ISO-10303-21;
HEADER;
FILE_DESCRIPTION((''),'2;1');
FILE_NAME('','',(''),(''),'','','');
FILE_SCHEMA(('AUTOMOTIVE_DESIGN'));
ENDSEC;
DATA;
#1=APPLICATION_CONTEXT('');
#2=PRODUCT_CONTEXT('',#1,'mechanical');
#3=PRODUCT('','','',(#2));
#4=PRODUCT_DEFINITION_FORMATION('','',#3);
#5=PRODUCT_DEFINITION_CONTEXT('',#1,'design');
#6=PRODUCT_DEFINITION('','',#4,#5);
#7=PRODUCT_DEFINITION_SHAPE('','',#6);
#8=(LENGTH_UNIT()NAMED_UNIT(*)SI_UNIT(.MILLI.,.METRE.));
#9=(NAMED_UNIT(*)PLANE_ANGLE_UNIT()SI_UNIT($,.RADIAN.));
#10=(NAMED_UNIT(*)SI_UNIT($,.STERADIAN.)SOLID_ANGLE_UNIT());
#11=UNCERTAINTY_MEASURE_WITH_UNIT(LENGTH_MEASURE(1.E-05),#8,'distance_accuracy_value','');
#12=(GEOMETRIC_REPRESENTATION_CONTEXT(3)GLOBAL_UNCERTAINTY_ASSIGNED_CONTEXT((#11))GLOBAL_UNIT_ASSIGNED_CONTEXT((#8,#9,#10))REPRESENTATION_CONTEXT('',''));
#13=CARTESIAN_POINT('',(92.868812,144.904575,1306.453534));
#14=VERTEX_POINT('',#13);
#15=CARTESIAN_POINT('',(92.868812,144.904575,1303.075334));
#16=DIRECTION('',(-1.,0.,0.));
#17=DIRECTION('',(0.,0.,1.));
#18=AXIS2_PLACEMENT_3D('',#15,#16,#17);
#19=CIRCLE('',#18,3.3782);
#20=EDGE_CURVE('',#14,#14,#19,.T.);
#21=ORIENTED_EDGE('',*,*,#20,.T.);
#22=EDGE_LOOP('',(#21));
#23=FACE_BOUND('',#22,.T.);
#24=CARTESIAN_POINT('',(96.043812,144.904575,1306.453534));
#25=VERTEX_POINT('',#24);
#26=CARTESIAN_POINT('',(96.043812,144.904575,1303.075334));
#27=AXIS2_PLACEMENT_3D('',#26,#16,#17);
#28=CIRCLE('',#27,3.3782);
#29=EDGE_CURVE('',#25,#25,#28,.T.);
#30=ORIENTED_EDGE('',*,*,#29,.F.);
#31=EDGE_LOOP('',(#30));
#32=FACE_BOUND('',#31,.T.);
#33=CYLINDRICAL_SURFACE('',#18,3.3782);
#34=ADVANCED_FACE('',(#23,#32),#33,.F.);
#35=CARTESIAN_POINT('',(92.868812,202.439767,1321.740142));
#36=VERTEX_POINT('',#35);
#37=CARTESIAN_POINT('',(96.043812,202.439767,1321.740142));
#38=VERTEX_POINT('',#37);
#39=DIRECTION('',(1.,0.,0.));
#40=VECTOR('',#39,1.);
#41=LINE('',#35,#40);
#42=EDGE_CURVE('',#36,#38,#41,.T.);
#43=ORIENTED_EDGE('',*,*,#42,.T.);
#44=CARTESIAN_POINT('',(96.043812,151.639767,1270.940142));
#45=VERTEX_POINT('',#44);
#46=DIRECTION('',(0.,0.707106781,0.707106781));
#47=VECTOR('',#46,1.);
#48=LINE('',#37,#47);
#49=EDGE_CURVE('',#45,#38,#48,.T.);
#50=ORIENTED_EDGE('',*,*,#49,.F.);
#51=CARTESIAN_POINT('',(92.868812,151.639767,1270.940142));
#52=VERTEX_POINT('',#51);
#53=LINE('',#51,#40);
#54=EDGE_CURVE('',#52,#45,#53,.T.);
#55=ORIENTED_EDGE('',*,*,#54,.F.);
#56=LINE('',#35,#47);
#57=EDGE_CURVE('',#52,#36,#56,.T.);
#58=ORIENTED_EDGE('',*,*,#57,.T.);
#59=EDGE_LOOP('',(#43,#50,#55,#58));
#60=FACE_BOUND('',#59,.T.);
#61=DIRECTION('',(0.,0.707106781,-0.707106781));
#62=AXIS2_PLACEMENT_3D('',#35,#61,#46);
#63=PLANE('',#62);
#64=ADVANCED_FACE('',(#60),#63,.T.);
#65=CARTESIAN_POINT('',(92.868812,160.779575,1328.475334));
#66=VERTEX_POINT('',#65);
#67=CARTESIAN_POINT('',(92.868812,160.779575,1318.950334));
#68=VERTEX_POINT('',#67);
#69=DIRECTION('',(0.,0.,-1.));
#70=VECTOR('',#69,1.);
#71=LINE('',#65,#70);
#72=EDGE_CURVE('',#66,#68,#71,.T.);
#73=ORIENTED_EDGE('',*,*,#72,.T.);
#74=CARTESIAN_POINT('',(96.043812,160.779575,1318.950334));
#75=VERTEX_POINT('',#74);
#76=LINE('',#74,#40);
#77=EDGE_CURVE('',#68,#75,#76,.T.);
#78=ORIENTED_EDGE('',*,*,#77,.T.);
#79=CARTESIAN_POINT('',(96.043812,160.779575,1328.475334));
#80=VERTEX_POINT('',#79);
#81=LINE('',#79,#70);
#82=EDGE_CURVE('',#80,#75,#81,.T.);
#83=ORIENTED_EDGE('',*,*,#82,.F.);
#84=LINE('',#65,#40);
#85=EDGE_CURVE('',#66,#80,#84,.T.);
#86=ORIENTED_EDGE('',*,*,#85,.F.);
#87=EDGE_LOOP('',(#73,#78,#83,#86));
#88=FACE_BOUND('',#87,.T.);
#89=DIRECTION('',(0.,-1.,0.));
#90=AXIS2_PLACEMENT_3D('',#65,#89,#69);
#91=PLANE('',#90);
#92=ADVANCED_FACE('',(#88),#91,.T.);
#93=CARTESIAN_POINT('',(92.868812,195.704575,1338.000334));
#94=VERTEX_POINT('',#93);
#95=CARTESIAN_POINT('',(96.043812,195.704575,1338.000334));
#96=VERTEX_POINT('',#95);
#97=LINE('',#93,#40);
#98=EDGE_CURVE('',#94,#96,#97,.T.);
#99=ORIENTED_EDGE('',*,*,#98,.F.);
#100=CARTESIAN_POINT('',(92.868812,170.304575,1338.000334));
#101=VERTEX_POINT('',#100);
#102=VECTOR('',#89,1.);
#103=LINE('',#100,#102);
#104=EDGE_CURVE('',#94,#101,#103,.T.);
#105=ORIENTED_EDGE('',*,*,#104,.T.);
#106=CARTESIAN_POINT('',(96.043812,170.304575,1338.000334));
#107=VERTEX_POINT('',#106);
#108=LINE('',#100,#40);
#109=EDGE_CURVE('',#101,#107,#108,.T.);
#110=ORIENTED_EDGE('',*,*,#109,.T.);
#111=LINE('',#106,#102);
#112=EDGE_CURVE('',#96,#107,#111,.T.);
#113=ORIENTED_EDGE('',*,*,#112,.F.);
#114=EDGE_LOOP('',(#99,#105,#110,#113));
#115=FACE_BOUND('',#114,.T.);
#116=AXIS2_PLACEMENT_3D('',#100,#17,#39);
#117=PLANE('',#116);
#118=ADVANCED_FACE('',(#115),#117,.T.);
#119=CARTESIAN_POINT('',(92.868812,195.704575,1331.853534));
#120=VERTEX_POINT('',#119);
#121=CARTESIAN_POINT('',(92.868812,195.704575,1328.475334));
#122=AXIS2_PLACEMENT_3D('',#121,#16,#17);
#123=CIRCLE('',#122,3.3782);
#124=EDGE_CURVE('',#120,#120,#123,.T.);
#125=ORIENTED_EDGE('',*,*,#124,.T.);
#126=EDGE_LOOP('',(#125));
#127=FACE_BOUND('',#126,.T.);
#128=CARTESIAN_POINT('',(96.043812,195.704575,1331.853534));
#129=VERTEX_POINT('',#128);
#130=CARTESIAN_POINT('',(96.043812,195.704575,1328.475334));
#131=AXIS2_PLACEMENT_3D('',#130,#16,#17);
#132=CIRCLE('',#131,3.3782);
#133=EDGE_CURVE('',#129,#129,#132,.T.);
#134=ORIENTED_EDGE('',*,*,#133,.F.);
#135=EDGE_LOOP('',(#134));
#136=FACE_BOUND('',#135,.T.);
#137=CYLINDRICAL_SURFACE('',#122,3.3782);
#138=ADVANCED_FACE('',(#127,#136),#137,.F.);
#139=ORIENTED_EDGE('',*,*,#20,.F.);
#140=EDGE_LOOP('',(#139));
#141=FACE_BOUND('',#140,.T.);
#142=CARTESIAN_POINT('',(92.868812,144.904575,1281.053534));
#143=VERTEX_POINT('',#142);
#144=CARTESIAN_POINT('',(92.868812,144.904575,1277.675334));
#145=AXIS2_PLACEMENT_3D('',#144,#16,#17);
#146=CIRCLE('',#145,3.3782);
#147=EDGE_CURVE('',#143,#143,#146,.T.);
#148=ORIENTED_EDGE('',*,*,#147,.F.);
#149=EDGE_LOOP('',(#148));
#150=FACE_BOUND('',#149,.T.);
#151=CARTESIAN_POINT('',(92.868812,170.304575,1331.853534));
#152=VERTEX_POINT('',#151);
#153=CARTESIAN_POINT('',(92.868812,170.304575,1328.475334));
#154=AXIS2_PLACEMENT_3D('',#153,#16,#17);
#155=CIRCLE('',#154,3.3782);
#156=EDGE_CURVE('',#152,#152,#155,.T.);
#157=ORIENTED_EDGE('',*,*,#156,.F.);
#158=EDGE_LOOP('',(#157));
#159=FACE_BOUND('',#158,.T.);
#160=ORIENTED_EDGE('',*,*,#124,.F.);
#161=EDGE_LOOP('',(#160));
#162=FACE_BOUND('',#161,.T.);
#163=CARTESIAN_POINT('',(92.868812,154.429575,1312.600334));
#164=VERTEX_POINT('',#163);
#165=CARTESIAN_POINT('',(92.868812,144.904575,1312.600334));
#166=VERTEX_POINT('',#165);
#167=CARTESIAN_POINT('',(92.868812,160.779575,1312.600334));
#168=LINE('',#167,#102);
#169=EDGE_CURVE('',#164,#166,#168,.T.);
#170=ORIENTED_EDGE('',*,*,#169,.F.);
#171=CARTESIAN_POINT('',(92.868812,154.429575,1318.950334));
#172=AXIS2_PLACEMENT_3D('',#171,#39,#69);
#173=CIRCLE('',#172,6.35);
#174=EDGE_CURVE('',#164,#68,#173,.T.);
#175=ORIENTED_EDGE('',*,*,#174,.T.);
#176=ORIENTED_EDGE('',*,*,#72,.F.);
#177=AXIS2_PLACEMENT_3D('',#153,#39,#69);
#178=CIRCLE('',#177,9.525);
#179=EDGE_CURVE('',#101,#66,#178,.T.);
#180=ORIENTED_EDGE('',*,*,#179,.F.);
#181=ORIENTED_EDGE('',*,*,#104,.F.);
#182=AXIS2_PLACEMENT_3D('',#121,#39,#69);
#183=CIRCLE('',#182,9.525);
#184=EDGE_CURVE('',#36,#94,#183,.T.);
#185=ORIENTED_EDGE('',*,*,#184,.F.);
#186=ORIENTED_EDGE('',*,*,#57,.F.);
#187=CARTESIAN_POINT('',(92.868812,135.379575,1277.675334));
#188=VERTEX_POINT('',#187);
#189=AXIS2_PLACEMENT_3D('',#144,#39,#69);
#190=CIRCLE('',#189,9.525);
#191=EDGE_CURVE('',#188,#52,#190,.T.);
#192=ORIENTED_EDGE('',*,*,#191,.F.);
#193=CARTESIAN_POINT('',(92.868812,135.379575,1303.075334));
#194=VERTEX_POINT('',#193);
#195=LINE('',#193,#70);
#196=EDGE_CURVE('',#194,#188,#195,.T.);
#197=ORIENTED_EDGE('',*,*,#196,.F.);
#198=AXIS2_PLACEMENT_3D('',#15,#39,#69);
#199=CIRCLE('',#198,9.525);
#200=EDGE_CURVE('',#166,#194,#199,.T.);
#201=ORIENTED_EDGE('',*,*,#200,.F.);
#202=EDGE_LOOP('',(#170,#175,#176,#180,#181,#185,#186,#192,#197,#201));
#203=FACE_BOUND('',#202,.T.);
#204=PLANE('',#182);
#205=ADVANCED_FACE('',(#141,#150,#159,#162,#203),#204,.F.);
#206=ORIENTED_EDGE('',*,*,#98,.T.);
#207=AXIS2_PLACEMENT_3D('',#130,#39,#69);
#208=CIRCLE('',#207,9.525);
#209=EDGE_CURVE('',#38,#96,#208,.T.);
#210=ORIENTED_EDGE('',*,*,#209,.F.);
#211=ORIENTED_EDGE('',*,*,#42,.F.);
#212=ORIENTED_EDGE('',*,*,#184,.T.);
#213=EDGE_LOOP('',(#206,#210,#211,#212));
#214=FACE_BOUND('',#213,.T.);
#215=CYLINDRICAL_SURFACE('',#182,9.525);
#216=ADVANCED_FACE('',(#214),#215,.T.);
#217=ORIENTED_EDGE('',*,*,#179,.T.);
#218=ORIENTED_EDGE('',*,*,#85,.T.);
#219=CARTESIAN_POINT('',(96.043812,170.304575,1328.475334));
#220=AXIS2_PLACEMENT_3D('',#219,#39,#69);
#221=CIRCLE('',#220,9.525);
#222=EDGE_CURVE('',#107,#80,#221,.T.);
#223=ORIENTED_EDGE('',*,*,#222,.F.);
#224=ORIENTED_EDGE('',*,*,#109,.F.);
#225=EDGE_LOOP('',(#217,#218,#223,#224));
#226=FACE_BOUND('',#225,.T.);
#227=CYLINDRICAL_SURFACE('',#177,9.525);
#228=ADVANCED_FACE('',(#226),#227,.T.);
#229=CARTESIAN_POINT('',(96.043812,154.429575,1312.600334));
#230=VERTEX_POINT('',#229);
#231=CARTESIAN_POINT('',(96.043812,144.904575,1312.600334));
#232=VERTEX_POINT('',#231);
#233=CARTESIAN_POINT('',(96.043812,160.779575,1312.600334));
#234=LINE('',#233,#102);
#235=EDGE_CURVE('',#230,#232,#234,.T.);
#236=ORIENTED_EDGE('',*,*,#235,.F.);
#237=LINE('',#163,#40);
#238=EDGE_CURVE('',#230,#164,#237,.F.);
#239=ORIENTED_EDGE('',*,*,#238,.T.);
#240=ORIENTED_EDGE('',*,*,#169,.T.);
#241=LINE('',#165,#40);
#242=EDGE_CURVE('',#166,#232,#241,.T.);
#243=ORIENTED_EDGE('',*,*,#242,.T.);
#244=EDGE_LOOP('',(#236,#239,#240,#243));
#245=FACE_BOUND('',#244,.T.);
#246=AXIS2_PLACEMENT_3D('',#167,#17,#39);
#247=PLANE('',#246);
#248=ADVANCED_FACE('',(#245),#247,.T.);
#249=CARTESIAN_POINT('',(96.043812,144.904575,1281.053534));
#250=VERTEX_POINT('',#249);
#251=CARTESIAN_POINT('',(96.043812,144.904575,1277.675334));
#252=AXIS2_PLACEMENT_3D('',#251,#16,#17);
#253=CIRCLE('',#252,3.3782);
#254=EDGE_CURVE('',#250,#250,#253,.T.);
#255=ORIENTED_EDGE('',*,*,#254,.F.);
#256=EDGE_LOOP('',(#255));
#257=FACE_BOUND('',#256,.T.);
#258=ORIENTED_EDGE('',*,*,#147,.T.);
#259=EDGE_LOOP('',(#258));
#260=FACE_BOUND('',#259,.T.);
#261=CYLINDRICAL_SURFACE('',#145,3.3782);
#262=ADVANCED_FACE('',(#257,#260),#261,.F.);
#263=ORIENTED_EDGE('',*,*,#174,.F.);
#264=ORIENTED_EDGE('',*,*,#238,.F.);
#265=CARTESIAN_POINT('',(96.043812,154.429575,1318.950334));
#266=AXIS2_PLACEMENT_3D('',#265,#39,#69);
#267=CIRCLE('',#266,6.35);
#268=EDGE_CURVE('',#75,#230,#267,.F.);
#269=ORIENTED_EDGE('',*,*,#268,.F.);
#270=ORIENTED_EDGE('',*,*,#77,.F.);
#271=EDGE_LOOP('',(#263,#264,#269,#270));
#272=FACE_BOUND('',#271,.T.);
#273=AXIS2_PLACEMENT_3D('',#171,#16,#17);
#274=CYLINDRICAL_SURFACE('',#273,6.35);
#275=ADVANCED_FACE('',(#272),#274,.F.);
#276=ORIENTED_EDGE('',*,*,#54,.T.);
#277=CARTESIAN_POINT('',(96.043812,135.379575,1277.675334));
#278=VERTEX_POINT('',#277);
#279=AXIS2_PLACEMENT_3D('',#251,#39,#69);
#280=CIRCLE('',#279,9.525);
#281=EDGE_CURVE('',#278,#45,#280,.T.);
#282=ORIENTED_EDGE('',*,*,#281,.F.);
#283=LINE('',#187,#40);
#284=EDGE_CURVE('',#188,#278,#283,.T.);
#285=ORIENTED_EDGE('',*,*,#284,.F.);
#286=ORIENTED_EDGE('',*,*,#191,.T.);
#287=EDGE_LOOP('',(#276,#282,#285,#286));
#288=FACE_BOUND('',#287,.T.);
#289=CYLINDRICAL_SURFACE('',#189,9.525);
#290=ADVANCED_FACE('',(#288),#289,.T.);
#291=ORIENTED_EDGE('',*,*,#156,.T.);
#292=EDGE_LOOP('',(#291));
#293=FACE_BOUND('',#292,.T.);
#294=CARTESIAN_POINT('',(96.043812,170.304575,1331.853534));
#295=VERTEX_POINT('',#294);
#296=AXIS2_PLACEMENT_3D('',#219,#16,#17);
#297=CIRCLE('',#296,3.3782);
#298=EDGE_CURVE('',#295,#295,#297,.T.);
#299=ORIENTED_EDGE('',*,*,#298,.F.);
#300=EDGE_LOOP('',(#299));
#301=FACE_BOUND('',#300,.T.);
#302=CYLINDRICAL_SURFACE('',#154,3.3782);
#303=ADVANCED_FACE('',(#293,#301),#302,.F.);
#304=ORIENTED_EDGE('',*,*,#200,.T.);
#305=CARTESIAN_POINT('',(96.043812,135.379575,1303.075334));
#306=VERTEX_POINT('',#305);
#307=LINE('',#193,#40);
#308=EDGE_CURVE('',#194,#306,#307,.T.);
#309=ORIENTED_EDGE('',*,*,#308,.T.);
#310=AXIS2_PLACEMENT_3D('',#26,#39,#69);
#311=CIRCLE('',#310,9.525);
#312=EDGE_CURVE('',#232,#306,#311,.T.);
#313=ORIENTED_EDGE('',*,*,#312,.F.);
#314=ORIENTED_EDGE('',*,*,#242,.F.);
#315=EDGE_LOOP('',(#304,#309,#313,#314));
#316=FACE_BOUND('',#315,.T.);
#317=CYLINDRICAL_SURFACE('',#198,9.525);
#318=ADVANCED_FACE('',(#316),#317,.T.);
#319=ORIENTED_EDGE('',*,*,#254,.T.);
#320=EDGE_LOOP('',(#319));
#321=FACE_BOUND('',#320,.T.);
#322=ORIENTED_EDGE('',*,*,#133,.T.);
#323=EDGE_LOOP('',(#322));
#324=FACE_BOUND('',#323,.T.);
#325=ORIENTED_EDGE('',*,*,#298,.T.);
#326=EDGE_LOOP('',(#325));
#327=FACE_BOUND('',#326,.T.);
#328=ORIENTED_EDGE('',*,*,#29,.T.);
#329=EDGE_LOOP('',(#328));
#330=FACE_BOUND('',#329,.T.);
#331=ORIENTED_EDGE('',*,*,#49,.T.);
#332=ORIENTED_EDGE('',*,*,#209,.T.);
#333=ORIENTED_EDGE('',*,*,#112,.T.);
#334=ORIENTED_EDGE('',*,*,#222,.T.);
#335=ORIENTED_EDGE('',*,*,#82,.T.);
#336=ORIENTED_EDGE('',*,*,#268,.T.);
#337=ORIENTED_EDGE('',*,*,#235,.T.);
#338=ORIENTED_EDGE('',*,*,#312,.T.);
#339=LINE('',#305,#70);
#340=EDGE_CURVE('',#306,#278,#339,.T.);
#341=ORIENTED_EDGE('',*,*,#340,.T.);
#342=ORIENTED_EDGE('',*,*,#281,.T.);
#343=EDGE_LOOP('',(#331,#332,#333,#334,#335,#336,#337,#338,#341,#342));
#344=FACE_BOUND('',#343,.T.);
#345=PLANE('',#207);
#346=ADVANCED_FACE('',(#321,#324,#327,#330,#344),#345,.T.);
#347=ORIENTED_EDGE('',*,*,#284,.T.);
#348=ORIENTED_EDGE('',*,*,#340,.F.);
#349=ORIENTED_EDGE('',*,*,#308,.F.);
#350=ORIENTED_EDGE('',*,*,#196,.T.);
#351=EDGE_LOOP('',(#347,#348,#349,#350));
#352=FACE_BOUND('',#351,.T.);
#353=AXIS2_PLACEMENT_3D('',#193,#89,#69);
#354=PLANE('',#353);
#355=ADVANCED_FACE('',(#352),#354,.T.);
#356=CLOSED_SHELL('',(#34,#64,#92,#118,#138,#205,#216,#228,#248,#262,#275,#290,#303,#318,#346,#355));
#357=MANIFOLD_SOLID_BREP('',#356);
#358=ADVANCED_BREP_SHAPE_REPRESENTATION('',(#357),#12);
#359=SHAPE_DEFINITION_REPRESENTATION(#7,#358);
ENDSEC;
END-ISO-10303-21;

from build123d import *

# Parameters (mm, degrees)
BOSS_EXTRUDE1_START     = 92.868812
BOSS_EXTRUDE1_DEPTH     = 3.175
F_1_4_CLEARANCE_HOLE1_D = 6.7564
FILLET1_R               = 6.35


with BuildPart() as part:
    # Sketch1 → Boss-Extrude1 (new body)
    with BuildSketch(Plane(origin=(0, 0, 0), x_dir=(0, 0, -1), z_dir=(1, 0, 0)).offset(BOSS_EXTRUDE1_START)):
        with BuildLine():
            Line((-1321.740142063, 202.439766645), (-1270.940142063, 151.639766645))
            ThreePointArc((-1270.940142063, 151.639766645), (-1268.875381607, 141.259514861), (-1277.675334154, 135.379574554))
            Line((-1277.675334154, 135.379574554), (-1303.075334154, 135.379574554))
            ThreePointArc((-1303.075334154, 135.379574554), (-1309.810526245, 138.169382463), (-1312.600334154, 144.904574554))
            Line((-1312.600334154, 144.904574554), (-1312.600334154, 160.779574554))
            Line((-1312.600334154, 160.779574554), (-1328.475334154, 160.779574554))
            ThreePointArc((-1328.475334154, 160.779574554), (-1335.210526245, 163.569382463), (-1338.000334154, 170.304574554))
            Line((-1338.000334154, 170.304574554), (-1338.000334154, 195.704574554))
            ThreePointArc((-1338.000334154, 195.704574554), (-1332.120393847, 204.504527101), (-1321.740142063, 202.439766645))
        make_face()
    extrude(amount=BOSS_EXTRUDE1_DEPTH)

    # 1/4 Clearance Hole1 (through all)
    with Locations(Plane.ZY.offset(-92.868812484)):
        with Locations((1328.475334154, 195.704574554), (1328.475334154, 170.304574554), (1277.675334154, 144.904574554), (1303.075334154, 144.904574554)):
            Hole(F_1_4_CLEARANCE_HOLE1_D / 2)

    # Fillet1
    fillet1_edges = [part.edges().sort_by_distance(p)[0] for p in [
        (94.456312, 160.779574554, 1312.600334154),
    ]]
    fillet(fillet1_edges, radius=FILLET1_R)


solid = part.part
